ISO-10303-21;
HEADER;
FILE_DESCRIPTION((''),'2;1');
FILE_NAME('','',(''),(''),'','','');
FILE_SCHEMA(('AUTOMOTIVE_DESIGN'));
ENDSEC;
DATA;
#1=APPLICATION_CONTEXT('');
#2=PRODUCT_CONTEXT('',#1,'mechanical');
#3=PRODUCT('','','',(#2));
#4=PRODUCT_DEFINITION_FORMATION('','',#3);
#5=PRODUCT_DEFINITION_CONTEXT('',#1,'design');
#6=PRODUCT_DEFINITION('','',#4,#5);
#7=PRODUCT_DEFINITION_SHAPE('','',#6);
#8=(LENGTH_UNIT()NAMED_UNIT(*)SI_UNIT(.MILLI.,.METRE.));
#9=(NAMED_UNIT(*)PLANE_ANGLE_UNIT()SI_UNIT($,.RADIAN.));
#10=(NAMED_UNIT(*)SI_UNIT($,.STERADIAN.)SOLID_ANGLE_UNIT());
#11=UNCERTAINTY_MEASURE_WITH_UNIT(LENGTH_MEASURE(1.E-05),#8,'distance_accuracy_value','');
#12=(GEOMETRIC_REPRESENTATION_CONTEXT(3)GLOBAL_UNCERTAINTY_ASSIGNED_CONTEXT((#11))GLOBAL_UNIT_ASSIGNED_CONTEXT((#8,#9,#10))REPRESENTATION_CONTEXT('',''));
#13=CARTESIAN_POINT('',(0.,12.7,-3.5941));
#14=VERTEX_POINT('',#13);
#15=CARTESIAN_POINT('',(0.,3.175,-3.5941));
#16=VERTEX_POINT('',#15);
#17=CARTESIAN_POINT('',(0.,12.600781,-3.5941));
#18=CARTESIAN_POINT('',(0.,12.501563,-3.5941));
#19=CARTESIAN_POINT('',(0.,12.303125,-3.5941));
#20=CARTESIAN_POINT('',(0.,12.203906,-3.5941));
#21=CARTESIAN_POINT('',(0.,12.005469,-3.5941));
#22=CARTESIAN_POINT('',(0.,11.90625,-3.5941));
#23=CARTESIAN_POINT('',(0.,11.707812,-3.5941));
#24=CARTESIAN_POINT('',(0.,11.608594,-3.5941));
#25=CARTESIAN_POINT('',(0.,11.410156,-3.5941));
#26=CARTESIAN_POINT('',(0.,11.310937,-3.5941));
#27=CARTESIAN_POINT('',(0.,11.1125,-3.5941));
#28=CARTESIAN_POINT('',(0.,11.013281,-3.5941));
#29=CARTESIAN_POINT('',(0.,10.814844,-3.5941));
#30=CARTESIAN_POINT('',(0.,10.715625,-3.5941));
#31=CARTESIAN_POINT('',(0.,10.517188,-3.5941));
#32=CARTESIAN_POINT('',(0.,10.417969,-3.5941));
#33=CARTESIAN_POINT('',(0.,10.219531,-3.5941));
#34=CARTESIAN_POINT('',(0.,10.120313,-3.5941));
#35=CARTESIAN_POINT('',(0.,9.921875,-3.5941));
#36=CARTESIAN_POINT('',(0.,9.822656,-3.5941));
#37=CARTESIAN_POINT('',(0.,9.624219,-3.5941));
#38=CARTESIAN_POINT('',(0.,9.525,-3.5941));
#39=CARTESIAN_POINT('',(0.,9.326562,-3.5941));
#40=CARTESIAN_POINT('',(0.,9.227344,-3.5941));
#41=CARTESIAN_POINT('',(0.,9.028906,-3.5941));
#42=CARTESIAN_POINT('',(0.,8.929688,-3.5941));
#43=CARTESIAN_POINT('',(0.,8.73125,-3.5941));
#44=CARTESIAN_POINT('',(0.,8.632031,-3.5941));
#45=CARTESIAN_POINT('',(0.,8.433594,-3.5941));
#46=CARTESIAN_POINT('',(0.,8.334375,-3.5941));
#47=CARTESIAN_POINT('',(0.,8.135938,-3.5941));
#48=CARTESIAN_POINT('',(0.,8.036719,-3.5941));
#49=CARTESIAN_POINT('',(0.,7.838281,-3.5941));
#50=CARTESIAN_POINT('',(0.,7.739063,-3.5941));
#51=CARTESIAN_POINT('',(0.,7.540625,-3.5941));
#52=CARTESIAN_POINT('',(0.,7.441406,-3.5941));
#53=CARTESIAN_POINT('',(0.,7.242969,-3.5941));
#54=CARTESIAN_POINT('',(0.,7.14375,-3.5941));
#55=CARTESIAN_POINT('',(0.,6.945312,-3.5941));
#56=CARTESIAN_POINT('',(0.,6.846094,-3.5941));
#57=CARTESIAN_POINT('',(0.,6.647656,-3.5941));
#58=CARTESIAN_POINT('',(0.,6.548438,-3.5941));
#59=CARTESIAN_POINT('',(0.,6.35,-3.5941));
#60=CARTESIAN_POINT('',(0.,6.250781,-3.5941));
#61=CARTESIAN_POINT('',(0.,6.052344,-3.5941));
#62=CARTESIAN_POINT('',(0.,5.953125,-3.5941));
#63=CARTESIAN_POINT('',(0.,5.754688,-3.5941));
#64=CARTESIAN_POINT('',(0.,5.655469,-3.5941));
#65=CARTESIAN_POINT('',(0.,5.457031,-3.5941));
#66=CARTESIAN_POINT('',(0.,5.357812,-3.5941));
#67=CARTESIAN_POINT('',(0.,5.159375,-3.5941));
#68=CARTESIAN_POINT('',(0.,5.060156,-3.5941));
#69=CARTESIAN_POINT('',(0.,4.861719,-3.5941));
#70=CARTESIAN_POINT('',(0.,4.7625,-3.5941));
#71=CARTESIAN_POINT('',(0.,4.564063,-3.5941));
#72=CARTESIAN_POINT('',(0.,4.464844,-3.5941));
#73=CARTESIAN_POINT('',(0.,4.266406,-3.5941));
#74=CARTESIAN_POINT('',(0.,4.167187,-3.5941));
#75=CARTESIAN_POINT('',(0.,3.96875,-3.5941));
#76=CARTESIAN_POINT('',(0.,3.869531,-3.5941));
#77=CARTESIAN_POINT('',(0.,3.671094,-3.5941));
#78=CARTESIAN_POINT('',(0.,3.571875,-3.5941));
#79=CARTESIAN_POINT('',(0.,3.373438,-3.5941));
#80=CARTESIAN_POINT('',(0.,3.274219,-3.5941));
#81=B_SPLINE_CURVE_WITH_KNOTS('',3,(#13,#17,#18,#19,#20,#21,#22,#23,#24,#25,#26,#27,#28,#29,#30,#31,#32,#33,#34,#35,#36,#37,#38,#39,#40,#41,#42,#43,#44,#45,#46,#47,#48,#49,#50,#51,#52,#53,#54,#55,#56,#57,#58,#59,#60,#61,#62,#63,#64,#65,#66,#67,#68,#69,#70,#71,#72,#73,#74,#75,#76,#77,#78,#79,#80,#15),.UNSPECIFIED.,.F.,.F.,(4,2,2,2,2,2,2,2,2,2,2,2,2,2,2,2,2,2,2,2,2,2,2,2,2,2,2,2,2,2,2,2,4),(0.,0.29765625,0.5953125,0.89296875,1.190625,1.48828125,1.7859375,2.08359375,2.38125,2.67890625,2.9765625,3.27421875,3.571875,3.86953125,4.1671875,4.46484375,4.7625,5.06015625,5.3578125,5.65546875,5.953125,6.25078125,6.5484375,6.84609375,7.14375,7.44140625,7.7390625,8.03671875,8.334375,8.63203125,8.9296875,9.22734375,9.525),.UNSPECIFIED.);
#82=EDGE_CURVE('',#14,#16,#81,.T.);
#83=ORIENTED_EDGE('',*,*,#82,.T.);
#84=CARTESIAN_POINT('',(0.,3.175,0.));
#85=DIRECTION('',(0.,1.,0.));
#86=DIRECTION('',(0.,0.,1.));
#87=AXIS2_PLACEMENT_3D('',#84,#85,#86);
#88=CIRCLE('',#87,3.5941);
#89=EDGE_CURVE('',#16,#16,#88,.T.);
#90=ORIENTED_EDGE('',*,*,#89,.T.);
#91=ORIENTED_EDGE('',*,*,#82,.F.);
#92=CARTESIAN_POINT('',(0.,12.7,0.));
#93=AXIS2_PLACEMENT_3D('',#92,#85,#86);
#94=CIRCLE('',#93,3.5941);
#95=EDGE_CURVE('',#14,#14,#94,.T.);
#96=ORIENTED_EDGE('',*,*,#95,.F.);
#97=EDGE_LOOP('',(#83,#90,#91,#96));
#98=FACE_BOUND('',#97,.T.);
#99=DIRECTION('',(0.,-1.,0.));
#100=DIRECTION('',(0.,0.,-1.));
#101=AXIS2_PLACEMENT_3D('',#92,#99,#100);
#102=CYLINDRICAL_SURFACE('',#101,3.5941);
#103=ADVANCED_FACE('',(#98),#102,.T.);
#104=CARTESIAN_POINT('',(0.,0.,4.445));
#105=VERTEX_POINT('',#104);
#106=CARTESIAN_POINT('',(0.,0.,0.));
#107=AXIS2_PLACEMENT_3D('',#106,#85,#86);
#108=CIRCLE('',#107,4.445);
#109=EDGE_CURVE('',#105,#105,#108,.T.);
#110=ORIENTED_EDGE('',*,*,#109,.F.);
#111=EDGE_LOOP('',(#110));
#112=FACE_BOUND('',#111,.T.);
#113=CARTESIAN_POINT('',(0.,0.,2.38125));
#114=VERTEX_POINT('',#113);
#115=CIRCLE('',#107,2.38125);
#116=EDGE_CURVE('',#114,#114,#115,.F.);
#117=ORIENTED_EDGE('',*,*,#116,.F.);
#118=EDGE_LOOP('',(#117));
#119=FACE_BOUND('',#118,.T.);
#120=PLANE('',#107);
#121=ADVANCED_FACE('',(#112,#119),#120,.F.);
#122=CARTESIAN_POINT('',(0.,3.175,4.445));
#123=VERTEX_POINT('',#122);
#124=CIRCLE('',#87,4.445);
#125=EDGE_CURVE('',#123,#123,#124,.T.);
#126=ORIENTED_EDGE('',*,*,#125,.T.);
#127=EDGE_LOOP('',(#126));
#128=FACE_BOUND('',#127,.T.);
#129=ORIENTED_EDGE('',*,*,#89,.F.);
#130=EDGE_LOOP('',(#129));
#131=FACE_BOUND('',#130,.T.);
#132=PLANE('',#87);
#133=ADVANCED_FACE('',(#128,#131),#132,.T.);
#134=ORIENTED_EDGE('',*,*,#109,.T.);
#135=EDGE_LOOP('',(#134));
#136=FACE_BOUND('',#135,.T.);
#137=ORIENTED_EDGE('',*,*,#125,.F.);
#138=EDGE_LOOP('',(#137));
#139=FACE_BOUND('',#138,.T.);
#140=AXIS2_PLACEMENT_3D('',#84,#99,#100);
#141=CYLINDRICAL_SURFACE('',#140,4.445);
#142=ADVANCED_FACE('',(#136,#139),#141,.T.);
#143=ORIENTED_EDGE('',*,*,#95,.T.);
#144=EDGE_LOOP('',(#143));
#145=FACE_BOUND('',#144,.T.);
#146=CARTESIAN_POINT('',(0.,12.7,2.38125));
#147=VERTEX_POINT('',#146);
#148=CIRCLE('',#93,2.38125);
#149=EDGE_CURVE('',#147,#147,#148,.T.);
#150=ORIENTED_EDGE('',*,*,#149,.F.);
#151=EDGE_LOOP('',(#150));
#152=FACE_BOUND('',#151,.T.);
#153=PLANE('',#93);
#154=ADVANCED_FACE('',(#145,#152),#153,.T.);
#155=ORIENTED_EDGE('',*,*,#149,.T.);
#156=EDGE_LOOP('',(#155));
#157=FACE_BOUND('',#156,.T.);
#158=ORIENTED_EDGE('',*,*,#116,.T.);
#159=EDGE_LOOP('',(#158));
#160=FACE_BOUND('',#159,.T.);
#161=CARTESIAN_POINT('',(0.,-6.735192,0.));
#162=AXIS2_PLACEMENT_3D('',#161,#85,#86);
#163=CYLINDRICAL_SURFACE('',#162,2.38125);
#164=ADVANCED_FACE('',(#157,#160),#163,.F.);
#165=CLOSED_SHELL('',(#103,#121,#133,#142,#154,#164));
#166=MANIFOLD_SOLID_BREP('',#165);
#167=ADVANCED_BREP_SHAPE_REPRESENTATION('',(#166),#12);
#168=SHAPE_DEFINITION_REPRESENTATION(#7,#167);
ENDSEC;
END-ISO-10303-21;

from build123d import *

# Parameters (mm, degrees)
SKETCH1_R           = 4.445
BOSS_EXTRUDE1_DEPTH = 3.175
SKETCH2_R           = 3.5941
BOSS_EXTRUDE2_DEPTH = 9.525
SKETCH3_R           = 2.38125
CUT_EXTRUDE1_DEPTH  = 12.7


with BuildPart() as part:
    # Sketch1 → Boss-Extrude1 (new body)
    with BuildSketch(Plane(origin=(0, 0, 0), x_dir=(1, 0, 0), z_dir=(0, 1, 0))):
        with Locations(Location((0, 0, 0), (0, 0, 270))):
            Circle(SKETCH1_R)
    extrude(amount=BOSS_EXTRUDE1_DEPTH)

    # Sketch2 → Boss-Extrude2 (add)
    with BuildSketch(Plane(origin=(0, 3.175, 0), x_dir=(1, 0, 0), z_dir=(0, 1, 0))):
        with Locations(Location((0, 0, 0), (0, 0, 90))):
            Circle(SKETCH2_R)
    extrude(amount=BOSS_EXTRUDE2_DEPTH)

    # Sketch3 → Cut-Extrude1 (cut)
    with BuildSketch(Plane(origin=(0, 12.7, 0), x_dir=(1, 0, 0), z_dir=(0, 1, 0))):
        with Locations(Location((0, 0, 0), (0, 0, 270))):
            Circle(SKETCH3_R)
    extrude(amount=-CUT_EXTRUDE1_DEPTH, mode=Mode.SUBTRACT)


solid = part.part
